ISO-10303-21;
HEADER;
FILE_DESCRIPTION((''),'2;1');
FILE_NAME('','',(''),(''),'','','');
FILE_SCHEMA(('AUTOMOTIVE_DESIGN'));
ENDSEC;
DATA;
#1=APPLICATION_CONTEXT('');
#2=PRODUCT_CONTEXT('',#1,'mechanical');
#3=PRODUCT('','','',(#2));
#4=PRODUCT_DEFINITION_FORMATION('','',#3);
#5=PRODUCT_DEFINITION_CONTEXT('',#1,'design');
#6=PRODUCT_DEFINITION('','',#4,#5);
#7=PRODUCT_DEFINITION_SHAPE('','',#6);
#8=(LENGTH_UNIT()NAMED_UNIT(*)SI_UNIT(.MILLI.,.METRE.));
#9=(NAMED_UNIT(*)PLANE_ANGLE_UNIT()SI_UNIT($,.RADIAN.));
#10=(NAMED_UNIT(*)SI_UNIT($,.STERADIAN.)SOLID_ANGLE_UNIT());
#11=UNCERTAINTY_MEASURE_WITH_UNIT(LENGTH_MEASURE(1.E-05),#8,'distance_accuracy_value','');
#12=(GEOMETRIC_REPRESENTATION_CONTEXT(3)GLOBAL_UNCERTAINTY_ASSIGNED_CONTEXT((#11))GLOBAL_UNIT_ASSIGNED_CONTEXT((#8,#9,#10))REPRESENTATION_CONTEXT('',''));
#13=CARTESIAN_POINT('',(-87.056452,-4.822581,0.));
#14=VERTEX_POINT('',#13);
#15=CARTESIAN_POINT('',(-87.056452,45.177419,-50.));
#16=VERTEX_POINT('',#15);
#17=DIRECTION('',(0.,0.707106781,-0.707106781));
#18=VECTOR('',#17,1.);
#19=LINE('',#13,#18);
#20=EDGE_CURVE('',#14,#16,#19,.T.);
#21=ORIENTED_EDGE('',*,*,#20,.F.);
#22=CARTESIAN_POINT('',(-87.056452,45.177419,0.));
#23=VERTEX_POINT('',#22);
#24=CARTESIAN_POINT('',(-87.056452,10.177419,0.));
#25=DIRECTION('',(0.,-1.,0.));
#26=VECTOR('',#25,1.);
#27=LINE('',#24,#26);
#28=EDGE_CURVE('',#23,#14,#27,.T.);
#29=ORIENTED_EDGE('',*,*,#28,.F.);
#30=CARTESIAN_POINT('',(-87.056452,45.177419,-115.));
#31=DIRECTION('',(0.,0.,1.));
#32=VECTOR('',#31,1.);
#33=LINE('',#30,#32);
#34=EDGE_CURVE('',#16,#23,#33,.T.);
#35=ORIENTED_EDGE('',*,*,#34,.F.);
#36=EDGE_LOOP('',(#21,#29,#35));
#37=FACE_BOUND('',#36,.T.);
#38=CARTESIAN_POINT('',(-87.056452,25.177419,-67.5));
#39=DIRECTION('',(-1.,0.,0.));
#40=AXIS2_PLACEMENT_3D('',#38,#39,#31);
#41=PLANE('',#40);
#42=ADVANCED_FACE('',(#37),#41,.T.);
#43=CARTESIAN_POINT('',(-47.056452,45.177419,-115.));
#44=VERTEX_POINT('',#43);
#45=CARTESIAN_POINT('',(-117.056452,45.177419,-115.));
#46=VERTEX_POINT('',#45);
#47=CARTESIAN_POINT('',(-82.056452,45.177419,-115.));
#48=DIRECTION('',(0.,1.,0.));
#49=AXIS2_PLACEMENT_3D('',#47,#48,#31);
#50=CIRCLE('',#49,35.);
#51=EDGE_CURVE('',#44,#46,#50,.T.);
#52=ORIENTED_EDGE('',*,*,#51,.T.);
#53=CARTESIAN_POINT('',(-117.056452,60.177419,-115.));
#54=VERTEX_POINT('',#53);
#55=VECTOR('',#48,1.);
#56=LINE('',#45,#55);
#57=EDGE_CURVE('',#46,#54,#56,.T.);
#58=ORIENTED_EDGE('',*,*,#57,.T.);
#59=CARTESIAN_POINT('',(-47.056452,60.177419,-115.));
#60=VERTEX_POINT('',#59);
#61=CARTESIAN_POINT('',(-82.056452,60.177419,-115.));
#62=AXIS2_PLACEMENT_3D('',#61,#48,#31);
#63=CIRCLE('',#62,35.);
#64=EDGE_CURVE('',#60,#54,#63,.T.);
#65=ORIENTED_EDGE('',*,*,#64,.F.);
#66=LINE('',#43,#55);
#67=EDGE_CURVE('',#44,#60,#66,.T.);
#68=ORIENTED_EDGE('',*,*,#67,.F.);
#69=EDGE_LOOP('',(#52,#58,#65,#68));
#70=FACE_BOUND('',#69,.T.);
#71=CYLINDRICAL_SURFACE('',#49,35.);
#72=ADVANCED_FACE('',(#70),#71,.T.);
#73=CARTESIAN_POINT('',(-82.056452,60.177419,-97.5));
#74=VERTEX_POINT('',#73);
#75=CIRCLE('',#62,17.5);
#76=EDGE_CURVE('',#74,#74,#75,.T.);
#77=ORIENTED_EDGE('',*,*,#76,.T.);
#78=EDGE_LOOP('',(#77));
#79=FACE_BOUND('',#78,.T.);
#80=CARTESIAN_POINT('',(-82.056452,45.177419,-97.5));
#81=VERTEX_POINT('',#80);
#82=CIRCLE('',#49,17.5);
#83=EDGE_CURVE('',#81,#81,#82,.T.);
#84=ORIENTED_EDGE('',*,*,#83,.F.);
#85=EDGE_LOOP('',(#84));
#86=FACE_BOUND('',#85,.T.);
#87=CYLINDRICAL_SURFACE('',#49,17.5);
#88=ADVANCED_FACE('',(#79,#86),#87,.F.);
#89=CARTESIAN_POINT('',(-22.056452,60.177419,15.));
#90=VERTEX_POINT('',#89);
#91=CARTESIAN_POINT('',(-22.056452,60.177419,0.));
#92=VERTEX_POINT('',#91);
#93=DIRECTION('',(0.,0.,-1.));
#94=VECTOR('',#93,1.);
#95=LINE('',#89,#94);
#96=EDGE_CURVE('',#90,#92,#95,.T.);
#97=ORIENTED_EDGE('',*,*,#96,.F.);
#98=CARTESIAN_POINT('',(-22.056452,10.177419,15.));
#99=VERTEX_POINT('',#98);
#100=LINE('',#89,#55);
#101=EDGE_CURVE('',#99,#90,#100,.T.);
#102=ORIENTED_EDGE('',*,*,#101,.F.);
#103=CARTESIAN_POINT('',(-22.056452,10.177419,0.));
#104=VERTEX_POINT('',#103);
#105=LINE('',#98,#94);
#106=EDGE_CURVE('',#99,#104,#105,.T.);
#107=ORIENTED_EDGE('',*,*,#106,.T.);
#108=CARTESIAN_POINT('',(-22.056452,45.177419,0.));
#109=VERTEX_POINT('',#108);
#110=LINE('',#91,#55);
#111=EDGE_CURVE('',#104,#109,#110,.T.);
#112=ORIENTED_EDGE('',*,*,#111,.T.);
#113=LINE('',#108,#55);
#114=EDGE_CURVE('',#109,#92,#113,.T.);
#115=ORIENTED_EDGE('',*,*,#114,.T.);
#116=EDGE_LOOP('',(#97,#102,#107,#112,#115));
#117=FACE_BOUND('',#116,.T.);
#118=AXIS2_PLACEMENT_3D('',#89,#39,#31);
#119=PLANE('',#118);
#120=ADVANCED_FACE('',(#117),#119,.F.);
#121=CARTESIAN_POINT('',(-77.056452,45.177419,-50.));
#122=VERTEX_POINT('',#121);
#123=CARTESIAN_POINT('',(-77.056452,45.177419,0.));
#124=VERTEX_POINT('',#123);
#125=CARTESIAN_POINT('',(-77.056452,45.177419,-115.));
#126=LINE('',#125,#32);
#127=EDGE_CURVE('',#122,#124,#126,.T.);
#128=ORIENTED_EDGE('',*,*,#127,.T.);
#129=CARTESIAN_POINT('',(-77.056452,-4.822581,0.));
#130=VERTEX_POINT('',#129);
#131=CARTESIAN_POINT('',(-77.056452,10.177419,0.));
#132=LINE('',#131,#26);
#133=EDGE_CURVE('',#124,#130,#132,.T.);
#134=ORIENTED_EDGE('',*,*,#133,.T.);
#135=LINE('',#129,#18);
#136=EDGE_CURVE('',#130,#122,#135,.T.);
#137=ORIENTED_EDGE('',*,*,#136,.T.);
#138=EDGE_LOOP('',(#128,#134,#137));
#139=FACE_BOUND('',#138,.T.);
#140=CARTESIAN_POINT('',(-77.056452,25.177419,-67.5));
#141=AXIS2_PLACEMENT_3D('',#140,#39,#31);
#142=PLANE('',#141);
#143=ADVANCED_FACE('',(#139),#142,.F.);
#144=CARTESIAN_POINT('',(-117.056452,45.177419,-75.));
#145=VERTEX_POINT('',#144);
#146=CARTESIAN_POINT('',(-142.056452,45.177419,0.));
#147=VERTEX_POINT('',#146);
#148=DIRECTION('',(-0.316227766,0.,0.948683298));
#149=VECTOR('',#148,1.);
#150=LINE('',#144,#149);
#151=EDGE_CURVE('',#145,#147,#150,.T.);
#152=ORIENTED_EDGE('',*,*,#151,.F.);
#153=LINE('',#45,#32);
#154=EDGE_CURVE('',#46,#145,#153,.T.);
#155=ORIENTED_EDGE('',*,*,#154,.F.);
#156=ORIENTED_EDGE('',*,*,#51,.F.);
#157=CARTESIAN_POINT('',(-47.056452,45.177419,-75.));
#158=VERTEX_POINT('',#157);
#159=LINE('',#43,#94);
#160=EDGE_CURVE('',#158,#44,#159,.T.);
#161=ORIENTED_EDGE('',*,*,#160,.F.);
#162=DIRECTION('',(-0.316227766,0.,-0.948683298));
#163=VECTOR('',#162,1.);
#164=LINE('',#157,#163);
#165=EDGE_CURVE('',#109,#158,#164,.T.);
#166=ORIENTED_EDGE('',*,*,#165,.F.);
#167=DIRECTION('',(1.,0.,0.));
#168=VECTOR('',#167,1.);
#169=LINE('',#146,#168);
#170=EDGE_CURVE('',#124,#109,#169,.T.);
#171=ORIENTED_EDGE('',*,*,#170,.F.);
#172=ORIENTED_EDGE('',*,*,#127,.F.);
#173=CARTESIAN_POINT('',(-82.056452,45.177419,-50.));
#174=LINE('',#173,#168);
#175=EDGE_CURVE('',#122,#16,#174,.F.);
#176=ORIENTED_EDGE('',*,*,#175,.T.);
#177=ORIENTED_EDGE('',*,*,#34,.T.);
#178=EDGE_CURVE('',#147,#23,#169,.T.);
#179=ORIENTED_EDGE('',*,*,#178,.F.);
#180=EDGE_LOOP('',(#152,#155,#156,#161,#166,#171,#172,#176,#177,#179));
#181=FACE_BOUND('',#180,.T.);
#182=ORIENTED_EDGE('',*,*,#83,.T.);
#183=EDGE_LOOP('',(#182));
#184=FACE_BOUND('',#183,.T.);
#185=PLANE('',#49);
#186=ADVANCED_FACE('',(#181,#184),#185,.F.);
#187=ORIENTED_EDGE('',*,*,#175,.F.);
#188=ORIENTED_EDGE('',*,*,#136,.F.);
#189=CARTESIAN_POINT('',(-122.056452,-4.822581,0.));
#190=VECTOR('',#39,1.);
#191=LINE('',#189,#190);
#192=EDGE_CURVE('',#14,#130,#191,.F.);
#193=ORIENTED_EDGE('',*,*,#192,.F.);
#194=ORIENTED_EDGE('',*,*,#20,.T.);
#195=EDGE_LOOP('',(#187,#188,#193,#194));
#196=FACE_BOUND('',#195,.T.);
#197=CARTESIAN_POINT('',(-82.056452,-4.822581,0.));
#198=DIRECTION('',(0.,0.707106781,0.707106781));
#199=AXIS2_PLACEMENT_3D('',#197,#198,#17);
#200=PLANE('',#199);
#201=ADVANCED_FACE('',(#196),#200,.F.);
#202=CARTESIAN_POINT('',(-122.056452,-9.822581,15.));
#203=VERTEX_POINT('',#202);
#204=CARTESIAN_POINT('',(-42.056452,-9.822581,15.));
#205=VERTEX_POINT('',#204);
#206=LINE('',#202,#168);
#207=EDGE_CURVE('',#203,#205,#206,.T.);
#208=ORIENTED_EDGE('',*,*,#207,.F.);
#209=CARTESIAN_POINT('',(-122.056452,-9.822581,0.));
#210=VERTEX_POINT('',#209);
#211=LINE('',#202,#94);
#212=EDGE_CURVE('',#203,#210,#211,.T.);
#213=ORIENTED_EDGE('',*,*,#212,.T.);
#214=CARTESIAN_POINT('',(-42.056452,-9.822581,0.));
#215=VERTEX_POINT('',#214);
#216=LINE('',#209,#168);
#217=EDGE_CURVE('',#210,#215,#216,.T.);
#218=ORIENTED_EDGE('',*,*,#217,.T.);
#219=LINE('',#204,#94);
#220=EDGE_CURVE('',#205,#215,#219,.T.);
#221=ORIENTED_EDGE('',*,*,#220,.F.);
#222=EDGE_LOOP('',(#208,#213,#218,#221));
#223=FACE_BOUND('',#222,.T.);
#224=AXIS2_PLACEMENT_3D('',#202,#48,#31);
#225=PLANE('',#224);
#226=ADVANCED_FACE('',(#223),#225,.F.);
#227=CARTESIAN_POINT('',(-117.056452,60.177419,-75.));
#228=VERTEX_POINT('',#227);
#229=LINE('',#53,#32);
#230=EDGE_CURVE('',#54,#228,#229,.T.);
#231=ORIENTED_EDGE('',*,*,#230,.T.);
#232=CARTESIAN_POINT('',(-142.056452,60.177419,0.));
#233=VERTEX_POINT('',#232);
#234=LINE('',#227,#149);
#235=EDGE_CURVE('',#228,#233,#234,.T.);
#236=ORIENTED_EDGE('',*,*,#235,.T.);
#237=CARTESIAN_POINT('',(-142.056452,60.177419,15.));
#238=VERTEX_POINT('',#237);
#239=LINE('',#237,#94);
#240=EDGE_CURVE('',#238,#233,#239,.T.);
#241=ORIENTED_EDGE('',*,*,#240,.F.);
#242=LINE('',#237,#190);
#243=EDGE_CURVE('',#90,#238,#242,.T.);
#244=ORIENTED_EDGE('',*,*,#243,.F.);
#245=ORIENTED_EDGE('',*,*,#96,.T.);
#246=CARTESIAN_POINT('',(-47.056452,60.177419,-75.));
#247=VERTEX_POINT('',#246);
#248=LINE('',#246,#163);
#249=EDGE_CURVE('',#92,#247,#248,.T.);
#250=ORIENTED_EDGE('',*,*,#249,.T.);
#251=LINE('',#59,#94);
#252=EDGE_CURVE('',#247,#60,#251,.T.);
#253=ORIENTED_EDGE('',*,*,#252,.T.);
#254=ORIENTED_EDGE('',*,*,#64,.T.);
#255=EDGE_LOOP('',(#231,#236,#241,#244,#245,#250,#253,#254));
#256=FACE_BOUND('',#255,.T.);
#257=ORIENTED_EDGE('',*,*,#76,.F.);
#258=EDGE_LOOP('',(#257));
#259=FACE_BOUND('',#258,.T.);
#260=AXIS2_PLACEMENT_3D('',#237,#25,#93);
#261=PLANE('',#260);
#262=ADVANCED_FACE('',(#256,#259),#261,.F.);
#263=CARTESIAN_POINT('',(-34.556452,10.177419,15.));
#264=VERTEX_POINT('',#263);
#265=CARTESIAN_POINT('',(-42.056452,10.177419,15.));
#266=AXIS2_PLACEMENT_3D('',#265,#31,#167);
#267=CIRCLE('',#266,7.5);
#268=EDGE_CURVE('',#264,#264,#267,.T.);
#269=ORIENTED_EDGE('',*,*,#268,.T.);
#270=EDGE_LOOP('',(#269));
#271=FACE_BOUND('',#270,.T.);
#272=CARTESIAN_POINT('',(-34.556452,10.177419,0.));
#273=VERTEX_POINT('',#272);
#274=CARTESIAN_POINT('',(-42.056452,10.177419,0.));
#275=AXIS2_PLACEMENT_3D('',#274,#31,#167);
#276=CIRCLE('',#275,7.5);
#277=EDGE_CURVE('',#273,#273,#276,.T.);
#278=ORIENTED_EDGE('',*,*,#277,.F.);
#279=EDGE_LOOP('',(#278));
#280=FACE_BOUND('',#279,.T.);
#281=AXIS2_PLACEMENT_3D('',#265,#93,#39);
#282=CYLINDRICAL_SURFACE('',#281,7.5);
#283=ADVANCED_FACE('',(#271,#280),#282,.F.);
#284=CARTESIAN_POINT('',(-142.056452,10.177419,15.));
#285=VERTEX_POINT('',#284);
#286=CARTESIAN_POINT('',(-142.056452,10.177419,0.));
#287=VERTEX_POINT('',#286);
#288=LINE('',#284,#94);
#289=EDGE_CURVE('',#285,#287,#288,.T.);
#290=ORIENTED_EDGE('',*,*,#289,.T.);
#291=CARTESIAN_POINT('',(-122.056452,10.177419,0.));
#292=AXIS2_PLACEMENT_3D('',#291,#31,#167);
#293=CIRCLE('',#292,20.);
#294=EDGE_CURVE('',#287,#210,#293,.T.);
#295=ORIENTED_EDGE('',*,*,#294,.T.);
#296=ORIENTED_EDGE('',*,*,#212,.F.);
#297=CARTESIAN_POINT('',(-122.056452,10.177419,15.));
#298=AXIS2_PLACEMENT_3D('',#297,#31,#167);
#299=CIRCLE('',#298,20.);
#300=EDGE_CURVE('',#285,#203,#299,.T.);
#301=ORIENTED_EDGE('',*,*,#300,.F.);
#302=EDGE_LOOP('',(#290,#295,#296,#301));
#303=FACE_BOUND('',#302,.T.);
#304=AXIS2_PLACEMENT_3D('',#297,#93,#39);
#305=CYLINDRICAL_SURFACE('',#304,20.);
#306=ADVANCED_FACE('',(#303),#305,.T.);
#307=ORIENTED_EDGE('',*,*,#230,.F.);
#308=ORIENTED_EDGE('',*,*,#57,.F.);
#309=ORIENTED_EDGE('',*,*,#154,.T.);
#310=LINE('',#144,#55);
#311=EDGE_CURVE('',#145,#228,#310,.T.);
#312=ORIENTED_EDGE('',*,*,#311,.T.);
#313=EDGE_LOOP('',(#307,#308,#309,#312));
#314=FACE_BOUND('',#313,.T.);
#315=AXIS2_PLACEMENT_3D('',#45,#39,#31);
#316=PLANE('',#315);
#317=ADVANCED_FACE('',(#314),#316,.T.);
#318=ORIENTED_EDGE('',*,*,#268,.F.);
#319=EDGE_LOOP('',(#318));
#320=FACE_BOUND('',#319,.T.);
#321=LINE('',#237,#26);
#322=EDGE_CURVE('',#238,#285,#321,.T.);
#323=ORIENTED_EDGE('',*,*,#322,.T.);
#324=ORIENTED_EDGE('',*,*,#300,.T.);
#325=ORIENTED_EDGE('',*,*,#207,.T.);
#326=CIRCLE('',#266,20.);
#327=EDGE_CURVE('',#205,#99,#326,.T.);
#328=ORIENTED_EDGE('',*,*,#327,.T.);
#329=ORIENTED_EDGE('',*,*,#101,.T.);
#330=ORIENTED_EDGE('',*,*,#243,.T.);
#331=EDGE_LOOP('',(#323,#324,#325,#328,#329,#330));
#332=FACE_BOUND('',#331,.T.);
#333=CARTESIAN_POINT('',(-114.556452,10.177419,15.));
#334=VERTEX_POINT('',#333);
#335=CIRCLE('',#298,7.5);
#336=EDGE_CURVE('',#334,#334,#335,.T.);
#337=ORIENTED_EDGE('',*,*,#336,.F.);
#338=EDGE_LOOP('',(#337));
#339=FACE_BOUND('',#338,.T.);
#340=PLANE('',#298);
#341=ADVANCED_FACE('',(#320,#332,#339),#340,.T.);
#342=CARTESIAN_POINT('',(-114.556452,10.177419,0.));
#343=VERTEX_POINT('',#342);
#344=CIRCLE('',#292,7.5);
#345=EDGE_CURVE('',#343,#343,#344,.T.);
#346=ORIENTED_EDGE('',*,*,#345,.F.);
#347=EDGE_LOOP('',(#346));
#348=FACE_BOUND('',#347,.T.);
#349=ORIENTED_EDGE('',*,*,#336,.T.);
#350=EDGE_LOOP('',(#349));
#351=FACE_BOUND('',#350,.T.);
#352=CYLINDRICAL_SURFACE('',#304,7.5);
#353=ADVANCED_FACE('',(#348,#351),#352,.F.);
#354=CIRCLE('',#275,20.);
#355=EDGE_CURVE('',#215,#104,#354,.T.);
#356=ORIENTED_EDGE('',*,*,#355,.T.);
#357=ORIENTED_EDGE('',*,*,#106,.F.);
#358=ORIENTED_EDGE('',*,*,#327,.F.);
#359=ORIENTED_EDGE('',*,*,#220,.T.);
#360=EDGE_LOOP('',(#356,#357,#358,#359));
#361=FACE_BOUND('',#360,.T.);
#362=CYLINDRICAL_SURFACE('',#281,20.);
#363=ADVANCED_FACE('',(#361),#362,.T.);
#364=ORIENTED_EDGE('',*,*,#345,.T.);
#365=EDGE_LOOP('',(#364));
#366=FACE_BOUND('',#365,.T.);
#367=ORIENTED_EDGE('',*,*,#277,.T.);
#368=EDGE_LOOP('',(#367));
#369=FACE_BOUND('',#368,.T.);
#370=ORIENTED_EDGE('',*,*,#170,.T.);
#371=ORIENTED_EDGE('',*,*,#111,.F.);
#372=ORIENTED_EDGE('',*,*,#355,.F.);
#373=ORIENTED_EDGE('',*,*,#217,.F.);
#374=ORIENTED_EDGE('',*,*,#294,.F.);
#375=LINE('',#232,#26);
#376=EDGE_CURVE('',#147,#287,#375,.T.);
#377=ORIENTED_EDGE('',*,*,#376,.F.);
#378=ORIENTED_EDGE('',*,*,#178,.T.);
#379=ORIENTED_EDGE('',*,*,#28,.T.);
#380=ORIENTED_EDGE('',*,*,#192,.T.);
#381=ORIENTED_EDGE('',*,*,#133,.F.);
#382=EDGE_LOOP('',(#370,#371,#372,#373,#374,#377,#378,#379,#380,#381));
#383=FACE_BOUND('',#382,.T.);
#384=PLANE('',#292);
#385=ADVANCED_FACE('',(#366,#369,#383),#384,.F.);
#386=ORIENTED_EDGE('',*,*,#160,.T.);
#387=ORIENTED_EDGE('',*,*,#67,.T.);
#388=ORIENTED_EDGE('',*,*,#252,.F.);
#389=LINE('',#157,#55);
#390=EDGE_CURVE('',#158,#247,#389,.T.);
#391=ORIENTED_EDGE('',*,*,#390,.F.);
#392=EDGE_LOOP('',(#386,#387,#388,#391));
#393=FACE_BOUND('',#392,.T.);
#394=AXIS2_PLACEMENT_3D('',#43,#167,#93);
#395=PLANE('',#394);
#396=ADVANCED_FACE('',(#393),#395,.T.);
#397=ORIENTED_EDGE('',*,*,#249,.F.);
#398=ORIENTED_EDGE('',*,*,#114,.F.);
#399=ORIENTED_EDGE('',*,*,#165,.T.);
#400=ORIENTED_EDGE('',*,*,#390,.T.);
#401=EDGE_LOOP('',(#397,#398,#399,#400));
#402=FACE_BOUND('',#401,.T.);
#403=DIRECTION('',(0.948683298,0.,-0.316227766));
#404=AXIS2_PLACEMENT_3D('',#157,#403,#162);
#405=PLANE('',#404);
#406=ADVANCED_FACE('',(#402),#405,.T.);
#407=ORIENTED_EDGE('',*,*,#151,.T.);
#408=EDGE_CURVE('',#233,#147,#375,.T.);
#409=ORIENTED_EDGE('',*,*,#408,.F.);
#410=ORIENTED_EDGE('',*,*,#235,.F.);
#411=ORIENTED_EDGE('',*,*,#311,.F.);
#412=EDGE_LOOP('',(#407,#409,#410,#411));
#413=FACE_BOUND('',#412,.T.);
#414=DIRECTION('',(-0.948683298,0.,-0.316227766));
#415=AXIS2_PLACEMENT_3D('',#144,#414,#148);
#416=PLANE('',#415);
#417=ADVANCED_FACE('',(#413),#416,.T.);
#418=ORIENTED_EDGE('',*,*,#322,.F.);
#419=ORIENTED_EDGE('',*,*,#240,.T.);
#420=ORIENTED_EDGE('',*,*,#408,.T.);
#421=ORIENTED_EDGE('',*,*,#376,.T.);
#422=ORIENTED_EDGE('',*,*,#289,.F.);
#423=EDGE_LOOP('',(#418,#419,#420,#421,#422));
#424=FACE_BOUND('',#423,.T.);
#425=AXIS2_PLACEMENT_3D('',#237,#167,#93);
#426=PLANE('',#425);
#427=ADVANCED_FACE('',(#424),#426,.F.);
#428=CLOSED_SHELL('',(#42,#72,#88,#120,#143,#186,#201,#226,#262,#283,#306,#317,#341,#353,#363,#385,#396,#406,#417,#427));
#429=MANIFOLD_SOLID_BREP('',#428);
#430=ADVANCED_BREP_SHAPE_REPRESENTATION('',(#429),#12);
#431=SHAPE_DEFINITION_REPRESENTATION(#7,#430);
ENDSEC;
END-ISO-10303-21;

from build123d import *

# Parameters (mm, degrees)
IZIM1_R                     = 7.5
Y_KSEKLIK_EKSTR_ZYON1_DEPTH = 15
IZIM2_R                     = 17.5
Y_KSEKLIK_EKSTR_ZYON2_DEPTH = 15
FEDER1_REACH                = 174.399
IZIM4_WALL_W                = 417.508136348
IZIM4_WALL_H                = 10


with BuildPart() as part:
    # Çizim1 → Yükseklik-Ekstrüzyon1 (new body)
    with BuildSketch(Plane.XY):
        with BuildLine():
            Line((-142.056451613, 60.177419355), (-22.056451613, 60.177419355))
            Line((-22.056451613, 60.177419355), (-22.056451613, 10.177419355))
            ThreePointArc((-22.056451613, 10.177419355), (-27.914315989, -3.964716269), (-42.056451613, -9.822580645))
            Line((-42.056451613, -9.822580645), (-122.056451613, -9.822580645))
            ThreePointArc((-122.056451613, -9.822580645), (-136.198587237, -3.964716269), (-142.056451613, 10.177419355))
            Line((-142.056451613, 10.177419355), (-142.056451613, 60.177419355))
        make_face()
        with Locations((-122.056451613, 10.177419355)):
            Circle(IZIM1_R, mode=Mode.SUBTRACT)
        with Locations((-42.056451613, 10.177419355)):
            Circle(IZIM1_R, mode=Mode.SUBTRACT)
    extrude(amount=Y_KSEKLIK_EKSTR_ZYON1_DEPTH)

    # Çizim2 → Yükseklik-Ekstrüzyon2 (add)
    with BuildSketch(Plane(origin=(0, 60.177419355, 0), x_dir=(1, 0, 0), z_dir=(0, 1, 0))):
        with BuildLine():
            Line((-117.056451613, 115), (-117.056451613, 75))
            Line((-117.056451613, 75), (-142.056451613, 0))
            Line((-142.056451613, 0), (-22.056451613, 0))
            Line((-22.056451613, 0), (-47.056451613, 75))
            Line((-47.056451613, 75), (-47.056451613, 115))
            ThreePointArc((-47.056451613, 115), (-82.056451613, 150), (-117.056451613, 115))
        make_face()
        with Locations(Location((-82.056451613, 115, 0), (0, 0, 270))):
            Circle(IZIM2_R, mode=Mode.SUBTRACT)
    extrude(amount=-Y_KSEKLIK_EKSTR_ZYON2_DEPTH)

    # Çizim4 wall → Feder1 (add, up to next)
    with BuildSketch(Plane(origin=(-82.056451613, 20.177419355, -25), x_dir=(0, 0.707106781187, -0.707106781187), z_dir=(0, -0.707106781187, -0.707106781187)), mode=Mode.PRIVATE) as feder1_sk1:
        Rectangle(IZIM4_WALL_W, IZIM4_WALL_H)
    feder1_tool1 = extrude(feder1_sk1.sketch, amount=-FEDER1_REACH, mode=Mode.PRIVATE) - part.part
    add(feder1_tool1.solids().sort_by_distance((-82.056451613, 20.177419355, -25))[0])


solid = part.part
